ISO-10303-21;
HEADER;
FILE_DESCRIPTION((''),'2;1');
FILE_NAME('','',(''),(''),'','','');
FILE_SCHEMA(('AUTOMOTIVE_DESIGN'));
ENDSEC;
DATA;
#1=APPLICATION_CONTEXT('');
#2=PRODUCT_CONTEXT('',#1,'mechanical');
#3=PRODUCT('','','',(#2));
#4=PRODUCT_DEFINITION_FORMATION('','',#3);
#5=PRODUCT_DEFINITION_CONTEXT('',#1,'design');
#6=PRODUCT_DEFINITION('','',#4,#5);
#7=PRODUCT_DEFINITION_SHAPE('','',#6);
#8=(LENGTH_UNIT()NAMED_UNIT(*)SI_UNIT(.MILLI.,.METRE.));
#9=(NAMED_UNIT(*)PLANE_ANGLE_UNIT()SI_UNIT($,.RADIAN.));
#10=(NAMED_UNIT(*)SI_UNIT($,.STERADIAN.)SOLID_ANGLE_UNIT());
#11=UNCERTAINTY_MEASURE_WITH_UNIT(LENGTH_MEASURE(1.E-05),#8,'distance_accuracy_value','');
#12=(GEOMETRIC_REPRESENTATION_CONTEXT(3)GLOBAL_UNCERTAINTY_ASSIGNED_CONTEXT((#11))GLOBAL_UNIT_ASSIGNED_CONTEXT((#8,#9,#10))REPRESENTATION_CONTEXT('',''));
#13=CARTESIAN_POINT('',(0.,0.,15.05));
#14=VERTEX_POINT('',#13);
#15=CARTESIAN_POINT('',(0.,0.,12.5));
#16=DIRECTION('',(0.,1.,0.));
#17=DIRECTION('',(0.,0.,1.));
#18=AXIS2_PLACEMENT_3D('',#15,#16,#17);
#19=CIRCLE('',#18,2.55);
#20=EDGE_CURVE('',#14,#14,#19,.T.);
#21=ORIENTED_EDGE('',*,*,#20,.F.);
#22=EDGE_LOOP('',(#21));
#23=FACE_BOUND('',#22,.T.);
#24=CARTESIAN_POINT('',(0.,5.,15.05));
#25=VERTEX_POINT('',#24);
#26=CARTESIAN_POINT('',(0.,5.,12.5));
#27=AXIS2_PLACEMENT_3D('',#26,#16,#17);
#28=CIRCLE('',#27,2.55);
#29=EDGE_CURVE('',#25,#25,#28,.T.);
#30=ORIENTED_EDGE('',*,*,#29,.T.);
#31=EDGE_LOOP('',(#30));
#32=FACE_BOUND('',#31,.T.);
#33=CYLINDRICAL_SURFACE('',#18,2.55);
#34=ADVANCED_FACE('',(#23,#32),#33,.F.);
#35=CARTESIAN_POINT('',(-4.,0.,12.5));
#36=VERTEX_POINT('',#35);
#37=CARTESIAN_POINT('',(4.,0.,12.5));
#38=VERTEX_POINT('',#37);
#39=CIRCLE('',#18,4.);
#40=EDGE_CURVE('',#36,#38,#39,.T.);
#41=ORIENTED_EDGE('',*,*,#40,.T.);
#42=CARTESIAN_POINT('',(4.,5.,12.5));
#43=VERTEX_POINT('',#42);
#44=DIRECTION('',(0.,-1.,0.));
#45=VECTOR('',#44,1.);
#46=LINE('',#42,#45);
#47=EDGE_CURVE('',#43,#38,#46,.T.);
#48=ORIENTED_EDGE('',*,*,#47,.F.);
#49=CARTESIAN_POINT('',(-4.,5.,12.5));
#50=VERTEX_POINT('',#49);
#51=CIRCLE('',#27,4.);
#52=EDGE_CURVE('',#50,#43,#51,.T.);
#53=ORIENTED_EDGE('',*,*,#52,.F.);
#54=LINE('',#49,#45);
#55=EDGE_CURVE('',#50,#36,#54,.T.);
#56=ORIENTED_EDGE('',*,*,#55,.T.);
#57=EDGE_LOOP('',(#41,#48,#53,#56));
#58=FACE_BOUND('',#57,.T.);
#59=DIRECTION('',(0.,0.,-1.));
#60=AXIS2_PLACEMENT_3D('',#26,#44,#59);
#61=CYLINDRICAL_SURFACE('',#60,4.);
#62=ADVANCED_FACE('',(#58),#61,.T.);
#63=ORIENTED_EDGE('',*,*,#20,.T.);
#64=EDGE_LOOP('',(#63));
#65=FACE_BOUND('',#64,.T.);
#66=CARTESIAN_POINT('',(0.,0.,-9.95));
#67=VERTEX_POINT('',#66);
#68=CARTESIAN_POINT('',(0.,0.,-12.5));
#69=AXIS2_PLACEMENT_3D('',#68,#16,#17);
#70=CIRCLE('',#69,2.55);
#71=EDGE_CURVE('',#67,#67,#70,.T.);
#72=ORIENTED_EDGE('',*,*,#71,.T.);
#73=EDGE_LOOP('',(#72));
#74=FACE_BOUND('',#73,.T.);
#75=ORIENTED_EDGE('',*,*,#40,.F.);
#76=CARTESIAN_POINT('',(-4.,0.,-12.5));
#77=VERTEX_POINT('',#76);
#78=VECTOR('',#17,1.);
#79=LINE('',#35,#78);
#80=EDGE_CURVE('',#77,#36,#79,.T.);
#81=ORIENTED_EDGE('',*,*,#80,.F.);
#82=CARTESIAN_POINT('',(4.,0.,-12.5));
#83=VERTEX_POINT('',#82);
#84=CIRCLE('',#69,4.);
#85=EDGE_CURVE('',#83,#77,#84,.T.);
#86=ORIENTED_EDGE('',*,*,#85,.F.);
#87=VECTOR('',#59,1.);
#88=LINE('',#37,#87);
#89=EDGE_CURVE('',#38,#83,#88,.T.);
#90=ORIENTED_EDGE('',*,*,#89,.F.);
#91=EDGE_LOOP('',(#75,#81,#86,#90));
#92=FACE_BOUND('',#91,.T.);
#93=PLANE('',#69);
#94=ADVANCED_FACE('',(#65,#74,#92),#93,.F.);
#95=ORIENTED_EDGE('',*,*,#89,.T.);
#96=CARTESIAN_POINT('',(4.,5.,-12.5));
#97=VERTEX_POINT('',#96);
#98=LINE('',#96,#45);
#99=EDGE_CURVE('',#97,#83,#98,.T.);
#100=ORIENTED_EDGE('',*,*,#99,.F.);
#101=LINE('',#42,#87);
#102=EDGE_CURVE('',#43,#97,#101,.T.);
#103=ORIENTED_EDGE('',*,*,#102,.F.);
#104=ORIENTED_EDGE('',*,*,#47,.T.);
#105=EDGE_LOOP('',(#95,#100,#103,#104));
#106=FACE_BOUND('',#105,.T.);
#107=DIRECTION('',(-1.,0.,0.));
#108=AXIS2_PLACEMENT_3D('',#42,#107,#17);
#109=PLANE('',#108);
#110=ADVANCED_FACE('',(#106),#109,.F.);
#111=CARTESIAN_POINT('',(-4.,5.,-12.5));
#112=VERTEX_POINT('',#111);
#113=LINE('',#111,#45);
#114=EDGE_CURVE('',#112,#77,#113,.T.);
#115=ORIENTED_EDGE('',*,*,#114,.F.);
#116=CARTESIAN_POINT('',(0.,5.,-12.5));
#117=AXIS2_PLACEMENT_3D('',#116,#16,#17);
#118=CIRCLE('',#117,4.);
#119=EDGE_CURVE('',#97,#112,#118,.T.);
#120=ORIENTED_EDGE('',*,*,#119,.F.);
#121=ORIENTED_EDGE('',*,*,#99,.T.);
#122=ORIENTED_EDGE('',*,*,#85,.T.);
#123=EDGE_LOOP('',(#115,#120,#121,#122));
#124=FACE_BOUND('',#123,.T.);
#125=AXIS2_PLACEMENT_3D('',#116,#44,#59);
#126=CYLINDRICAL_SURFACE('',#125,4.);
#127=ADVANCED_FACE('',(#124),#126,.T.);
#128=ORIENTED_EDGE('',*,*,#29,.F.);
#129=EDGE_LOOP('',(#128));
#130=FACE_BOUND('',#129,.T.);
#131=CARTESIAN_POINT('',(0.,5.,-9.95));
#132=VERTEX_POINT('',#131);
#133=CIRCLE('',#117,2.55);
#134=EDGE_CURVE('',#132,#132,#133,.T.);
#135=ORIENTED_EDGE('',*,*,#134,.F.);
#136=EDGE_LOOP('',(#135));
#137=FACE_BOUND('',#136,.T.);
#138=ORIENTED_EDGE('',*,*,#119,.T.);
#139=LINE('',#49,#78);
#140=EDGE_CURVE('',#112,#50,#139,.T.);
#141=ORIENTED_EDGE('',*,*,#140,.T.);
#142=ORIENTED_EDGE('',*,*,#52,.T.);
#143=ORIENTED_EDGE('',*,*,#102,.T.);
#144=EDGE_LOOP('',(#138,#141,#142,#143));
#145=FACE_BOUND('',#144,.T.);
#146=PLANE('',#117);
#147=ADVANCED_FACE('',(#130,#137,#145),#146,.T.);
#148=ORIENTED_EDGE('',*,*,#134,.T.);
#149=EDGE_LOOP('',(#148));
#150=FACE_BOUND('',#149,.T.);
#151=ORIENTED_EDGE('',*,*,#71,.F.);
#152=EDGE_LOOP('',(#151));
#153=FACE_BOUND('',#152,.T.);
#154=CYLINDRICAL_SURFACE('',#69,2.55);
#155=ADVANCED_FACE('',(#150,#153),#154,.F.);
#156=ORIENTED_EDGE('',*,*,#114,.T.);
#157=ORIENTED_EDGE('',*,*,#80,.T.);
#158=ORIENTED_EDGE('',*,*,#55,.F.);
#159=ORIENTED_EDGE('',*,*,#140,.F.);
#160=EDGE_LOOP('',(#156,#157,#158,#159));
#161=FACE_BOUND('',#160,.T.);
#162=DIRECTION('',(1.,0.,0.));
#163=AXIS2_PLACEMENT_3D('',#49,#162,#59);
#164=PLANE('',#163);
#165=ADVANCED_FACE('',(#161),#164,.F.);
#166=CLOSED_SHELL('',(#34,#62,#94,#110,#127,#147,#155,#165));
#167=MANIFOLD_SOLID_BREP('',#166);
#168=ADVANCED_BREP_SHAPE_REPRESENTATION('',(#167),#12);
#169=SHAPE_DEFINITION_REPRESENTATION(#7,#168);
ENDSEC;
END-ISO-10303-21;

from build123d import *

# Parameters (mm, degrees)
BOSS_EXTRUDE1_DEPTH = 5
SKETCH2_R           = 2.55
CUT_EXTRUDE2_DEPTH  = 6


with BuildPart() as part:
    # Sketch1 → Boss-Extrude1 (new body)
    with BuildSketch(Plane(origin=(0, 0, 0), x_dir=(1, 0, 0), z_dir=(0, 1, 0))):
        with BuildLine():
            Line((-4, -12.5), (-4, 12.5))
            ThreePointArc((-4, 12.5), (0, 16.5), (4, 12.5))
            Line((4, 12.5), (4, -12.5))
            ThreePointArc((4, -12.5), (0, -16.5), (-4, -12.5))
        make_face()
    extrude(amount=BOSS_EXTRUDE1_DEPTH)

    # Sketch2 → Cut-Extrude2 (cut, through all)
    with BuildSketch(Plane(origin=(0, 5, 0), x_dir=(1, 0, 0), z_dir=(0, 1, 0))):
        with Locations((0, 12.5)):
            Circle(SKETCH2_R)
        with Locations((0, -12.5)):
            Circle(SKETCH2_R)
    extrude(amount=-CUT_EXTRUDE2_DEPTH, mode=Mode.SUBTRACT)


solid = part.part
